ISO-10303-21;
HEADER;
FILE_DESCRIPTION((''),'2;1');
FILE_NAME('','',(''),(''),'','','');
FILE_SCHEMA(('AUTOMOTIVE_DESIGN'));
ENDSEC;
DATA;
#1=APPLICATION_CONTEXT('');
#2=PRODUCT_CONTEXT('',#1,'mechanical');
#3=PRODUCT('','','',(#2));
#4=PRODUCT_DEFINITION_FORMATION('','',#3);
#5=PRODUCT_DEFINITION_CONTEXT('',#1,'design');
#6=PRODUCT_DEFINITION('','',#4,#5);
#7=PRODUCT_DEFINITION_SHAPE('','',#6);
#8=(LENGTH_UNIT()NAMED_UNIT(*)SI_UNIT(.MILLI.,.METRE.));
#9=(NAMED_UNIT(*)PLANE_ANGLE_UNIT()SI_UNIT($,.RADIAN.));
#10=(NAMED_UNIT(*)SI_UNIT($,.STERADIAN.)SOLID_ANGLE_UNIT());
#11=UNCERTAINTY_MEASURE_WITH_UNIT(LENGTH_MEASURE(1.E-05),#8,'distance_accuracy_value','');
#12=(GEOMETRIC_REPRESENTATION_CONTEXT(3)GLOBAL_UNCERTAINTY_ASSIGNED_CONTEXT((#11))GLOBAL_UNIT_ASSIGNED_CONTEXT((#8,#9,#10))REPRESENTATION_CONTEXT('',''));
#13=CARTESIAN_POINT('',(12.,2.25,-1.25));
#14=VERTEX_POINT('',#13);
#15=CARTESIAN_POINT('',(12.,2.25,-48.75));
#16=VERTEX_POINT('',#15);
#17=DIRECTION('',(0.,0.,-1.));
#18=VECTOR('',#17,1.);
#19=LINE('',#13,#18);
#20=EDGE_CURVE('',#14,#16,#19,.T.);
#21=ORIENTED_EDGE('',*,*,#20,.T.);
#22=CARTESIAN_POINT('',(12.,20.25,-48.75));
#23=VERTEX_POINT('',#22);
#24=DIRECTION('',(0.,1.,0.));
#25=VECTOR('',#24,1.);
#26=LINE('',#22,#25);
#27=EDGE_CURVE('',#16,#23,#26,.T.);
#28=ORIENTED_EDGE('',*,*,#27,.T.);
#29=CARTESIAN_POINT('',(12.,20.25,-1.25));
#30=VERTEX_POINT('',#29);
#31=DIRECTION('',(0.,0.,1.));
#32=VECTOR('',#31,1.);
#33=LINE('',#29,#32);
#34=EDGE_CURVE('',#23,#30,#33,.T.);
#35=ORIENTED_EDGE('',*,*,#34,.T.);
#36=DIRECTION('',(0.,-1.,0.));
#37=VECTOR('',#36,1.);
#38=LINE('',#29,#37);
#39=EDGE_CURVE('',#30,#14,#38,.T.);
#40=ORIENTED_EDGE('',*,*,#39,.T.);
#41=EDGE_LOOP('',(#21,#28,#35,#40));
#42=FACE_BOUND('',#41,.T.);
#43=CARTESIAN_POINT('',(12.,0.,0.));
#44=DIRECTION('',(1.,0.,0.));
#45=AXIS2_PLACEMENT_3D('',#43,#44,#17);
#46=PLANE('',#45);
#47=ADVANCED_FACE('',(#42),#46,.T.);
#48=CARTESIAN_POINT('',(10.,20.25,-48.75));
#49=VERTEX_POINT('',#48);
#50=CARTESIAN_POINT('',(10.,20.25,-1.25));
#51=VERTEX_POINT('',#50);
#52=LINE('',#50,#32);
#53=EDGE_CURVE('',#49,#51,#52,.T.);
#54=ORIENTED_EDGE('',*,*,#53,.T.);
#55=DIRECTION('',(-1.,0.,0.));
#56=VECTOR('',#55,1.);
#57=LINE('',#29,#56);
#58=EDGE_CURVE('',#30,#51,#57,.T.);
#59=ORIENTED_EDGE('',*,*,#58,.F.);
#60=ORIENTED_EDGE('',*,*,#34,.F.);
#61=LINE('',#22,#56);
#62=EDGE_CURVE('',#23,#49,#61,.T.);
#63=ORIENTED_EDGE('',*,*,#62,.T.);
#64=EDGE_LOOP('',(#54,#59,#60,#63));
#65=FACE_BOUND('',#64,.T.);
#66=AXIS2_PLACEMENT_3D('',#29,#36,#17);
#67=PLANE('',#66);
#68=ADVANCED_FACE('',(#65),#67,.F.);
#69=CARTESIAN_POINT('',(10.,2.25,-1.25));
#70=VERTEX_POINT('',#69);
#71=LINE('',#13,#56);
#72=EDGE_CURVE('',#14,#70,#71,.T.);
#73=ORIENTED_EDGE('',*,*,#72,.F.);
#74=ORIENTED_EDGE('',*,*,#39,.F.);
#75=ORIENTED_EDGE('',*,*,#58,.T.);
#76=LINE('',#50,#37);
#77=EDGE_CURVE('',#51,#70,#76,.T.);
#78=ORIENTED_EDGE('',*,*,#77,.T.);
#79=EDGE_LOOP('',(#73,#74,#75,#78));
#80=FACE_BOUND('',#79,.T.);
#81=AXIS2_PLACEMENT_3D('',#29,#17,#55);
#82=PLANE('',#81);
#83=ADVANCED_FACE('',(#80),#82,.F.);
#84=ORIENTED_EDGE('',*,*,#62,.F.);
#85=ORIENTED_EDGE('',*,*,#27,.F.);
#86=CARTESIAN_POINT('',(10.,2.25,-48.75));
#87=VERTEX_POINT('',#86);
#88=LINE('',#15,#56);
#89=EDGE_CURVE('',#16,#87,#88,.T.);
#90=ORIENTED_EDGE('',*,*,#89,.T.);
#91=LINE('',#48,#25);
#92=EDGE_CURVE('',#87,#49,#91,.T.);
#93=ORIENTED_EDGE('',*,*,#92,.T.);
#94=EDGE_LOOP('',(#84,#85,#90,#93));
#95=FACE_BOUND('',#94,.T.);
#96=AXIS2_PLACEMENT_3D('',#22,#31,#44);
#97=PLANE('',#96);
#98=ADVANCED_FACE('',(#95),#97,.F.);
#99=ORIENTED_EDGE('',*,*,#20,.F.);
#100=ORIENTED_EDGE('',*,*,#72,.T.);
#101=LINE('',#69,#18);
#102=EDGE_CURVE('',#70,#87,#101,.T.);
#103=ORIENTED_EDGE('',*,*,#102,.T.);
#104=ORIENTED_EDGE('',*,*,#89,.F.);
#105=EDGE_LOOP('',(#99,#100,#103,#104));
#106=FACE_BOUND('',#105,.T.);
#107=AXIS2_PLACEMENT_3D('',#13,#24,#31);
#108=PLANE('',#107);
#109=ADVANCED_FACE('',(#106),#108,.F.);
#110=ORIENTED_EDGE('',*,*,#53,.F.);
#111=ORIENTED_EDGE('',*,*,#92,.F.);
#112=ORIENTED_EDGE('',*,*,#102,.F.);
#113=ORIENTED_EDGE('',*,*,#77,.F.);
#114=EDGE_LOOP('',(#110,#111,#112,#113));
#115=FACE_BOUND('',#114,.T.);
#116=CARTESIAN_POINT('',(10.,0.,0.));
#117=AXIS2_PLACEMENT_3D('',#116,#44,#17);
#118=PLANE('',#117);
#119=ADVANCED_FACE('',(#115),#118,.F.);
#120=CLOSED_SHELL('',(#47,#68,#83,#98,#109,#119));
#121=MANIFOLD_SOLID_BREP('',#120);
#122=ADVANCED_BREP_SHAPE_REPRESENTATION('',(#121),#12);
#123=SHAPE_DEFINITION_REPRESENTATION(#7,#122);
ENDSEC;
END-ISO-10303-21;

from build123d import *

# Parameters (mm, degrees)
SKETCH2_W           = 50
SKETCH2_H           = 22.5
BOSS_EXTRUDE1_DEPTH = 10
USBC_DEPTH          = 10
POGO_DEPTH          = 10
SKETCH6_W           = 48
SKETCH6_H           = 18.5
CUT_EXTRUDE3_DEPTH  = 8
SKETCH7_W           = 47.5
SKETCH7_H           = 18
BOSS_EXTRUDE2_DEPTH = 2
SKETCH8_W           = 10
SKETCH8_H           = 22.5
CUT_EXTRUDE4_DEPTH  = 57.127087934


with BuildPart() as part:
    # Sketch2 → Boss-Extrude1 (new body)
    with BuildSketch(Plane(origin=(0, 0, 0), x_dir=(0, 0, -1), z_dir=(1, 0, 0))):
        with Locations((25, 11.25)):
            Rectangle(SKETCH2_W, SKETCH2_H)
    extrude(amount=BOSS_EXTRUDE1_DEPTH)

    # Sketch4 → USBC (cut)
    with BuildSketch(Plane.XY):
        with BuildLine():
            Line((7.05, 14.275), (7.05, 8.225))
            ThreePointArc((7.05, 8.225), (5.325, 6.5), (3.6, 8.225))
            Line((3.6, 8.225), (3.6, 14.275))
            ThreePointArc((3.6, 14.275), (5.325, 16), (7.05, 14.275))
        make_face()
    extrude(amount=-USBC_DEPTH, mode=Mode.SUBTRACT)

    # Sketch5 → POGO (cut)
    with BuildSketch(Plane(origin=(0, 0, -50), x_dir=(-1, 0, 0), z_dir=(0, 0, -1))):
        with BuildLine():
            Line((-3, 16.25), (-3, 6.25))
            ThreePointArc((-3, 6.25), (-5.225, 4.025), (-7.45, 6.25))
            Line((-7.45, 6.25), (-7.45, 16.25))
            ThreePointArc((-7.45, 16.25), (-5.225, 18.475), (-3, 16.25))
        make_face()
    extrude(amount=-POGO_DEPTH, mode=Mode.SUBTRACT)

    # Sketch6 → Cut-Extrude3 (cut)
    with BuildSketch(Plane(origin=(10, 0, 0), x_dir=(0, 0, -1), z_dir=(1, 0, 0))):
        with Locations((25, 11.25)):
            Rectangle(SKETCH6_W, SKETCH6_H)
    extrude(amount=-CUT_EXTRUDE3_DEPTH, mode=Mode.SUBTRACT)

    # Sketch8 → Cut-Extrude4 (cut, through all)
    with BuildSketch(Plane.XY):
        with Locations((5, 11.25)):
            Rectangle(SKETCH8_W, SKETCH8_H)
    extrude(amount=-CUT_EXTRUDE4_DEPTH, mode=Mode.SUBTRACT)


with BuildPart() as body_2:
    # Sketch7 → Boss-Extrude2 (new body)
    with BuildSketch(Plane(origin=(10, 0, 0), x_dir=(0, 0, -1), z_dir=(1, 0, 0))):
        with Locations((25, 11.25)):
            Rectangle(SKETCH7_W, SKETCH7_H)
    extrude(amount=BOSS_EXTRUDE2_DEPTH)


solid = body_2.part
